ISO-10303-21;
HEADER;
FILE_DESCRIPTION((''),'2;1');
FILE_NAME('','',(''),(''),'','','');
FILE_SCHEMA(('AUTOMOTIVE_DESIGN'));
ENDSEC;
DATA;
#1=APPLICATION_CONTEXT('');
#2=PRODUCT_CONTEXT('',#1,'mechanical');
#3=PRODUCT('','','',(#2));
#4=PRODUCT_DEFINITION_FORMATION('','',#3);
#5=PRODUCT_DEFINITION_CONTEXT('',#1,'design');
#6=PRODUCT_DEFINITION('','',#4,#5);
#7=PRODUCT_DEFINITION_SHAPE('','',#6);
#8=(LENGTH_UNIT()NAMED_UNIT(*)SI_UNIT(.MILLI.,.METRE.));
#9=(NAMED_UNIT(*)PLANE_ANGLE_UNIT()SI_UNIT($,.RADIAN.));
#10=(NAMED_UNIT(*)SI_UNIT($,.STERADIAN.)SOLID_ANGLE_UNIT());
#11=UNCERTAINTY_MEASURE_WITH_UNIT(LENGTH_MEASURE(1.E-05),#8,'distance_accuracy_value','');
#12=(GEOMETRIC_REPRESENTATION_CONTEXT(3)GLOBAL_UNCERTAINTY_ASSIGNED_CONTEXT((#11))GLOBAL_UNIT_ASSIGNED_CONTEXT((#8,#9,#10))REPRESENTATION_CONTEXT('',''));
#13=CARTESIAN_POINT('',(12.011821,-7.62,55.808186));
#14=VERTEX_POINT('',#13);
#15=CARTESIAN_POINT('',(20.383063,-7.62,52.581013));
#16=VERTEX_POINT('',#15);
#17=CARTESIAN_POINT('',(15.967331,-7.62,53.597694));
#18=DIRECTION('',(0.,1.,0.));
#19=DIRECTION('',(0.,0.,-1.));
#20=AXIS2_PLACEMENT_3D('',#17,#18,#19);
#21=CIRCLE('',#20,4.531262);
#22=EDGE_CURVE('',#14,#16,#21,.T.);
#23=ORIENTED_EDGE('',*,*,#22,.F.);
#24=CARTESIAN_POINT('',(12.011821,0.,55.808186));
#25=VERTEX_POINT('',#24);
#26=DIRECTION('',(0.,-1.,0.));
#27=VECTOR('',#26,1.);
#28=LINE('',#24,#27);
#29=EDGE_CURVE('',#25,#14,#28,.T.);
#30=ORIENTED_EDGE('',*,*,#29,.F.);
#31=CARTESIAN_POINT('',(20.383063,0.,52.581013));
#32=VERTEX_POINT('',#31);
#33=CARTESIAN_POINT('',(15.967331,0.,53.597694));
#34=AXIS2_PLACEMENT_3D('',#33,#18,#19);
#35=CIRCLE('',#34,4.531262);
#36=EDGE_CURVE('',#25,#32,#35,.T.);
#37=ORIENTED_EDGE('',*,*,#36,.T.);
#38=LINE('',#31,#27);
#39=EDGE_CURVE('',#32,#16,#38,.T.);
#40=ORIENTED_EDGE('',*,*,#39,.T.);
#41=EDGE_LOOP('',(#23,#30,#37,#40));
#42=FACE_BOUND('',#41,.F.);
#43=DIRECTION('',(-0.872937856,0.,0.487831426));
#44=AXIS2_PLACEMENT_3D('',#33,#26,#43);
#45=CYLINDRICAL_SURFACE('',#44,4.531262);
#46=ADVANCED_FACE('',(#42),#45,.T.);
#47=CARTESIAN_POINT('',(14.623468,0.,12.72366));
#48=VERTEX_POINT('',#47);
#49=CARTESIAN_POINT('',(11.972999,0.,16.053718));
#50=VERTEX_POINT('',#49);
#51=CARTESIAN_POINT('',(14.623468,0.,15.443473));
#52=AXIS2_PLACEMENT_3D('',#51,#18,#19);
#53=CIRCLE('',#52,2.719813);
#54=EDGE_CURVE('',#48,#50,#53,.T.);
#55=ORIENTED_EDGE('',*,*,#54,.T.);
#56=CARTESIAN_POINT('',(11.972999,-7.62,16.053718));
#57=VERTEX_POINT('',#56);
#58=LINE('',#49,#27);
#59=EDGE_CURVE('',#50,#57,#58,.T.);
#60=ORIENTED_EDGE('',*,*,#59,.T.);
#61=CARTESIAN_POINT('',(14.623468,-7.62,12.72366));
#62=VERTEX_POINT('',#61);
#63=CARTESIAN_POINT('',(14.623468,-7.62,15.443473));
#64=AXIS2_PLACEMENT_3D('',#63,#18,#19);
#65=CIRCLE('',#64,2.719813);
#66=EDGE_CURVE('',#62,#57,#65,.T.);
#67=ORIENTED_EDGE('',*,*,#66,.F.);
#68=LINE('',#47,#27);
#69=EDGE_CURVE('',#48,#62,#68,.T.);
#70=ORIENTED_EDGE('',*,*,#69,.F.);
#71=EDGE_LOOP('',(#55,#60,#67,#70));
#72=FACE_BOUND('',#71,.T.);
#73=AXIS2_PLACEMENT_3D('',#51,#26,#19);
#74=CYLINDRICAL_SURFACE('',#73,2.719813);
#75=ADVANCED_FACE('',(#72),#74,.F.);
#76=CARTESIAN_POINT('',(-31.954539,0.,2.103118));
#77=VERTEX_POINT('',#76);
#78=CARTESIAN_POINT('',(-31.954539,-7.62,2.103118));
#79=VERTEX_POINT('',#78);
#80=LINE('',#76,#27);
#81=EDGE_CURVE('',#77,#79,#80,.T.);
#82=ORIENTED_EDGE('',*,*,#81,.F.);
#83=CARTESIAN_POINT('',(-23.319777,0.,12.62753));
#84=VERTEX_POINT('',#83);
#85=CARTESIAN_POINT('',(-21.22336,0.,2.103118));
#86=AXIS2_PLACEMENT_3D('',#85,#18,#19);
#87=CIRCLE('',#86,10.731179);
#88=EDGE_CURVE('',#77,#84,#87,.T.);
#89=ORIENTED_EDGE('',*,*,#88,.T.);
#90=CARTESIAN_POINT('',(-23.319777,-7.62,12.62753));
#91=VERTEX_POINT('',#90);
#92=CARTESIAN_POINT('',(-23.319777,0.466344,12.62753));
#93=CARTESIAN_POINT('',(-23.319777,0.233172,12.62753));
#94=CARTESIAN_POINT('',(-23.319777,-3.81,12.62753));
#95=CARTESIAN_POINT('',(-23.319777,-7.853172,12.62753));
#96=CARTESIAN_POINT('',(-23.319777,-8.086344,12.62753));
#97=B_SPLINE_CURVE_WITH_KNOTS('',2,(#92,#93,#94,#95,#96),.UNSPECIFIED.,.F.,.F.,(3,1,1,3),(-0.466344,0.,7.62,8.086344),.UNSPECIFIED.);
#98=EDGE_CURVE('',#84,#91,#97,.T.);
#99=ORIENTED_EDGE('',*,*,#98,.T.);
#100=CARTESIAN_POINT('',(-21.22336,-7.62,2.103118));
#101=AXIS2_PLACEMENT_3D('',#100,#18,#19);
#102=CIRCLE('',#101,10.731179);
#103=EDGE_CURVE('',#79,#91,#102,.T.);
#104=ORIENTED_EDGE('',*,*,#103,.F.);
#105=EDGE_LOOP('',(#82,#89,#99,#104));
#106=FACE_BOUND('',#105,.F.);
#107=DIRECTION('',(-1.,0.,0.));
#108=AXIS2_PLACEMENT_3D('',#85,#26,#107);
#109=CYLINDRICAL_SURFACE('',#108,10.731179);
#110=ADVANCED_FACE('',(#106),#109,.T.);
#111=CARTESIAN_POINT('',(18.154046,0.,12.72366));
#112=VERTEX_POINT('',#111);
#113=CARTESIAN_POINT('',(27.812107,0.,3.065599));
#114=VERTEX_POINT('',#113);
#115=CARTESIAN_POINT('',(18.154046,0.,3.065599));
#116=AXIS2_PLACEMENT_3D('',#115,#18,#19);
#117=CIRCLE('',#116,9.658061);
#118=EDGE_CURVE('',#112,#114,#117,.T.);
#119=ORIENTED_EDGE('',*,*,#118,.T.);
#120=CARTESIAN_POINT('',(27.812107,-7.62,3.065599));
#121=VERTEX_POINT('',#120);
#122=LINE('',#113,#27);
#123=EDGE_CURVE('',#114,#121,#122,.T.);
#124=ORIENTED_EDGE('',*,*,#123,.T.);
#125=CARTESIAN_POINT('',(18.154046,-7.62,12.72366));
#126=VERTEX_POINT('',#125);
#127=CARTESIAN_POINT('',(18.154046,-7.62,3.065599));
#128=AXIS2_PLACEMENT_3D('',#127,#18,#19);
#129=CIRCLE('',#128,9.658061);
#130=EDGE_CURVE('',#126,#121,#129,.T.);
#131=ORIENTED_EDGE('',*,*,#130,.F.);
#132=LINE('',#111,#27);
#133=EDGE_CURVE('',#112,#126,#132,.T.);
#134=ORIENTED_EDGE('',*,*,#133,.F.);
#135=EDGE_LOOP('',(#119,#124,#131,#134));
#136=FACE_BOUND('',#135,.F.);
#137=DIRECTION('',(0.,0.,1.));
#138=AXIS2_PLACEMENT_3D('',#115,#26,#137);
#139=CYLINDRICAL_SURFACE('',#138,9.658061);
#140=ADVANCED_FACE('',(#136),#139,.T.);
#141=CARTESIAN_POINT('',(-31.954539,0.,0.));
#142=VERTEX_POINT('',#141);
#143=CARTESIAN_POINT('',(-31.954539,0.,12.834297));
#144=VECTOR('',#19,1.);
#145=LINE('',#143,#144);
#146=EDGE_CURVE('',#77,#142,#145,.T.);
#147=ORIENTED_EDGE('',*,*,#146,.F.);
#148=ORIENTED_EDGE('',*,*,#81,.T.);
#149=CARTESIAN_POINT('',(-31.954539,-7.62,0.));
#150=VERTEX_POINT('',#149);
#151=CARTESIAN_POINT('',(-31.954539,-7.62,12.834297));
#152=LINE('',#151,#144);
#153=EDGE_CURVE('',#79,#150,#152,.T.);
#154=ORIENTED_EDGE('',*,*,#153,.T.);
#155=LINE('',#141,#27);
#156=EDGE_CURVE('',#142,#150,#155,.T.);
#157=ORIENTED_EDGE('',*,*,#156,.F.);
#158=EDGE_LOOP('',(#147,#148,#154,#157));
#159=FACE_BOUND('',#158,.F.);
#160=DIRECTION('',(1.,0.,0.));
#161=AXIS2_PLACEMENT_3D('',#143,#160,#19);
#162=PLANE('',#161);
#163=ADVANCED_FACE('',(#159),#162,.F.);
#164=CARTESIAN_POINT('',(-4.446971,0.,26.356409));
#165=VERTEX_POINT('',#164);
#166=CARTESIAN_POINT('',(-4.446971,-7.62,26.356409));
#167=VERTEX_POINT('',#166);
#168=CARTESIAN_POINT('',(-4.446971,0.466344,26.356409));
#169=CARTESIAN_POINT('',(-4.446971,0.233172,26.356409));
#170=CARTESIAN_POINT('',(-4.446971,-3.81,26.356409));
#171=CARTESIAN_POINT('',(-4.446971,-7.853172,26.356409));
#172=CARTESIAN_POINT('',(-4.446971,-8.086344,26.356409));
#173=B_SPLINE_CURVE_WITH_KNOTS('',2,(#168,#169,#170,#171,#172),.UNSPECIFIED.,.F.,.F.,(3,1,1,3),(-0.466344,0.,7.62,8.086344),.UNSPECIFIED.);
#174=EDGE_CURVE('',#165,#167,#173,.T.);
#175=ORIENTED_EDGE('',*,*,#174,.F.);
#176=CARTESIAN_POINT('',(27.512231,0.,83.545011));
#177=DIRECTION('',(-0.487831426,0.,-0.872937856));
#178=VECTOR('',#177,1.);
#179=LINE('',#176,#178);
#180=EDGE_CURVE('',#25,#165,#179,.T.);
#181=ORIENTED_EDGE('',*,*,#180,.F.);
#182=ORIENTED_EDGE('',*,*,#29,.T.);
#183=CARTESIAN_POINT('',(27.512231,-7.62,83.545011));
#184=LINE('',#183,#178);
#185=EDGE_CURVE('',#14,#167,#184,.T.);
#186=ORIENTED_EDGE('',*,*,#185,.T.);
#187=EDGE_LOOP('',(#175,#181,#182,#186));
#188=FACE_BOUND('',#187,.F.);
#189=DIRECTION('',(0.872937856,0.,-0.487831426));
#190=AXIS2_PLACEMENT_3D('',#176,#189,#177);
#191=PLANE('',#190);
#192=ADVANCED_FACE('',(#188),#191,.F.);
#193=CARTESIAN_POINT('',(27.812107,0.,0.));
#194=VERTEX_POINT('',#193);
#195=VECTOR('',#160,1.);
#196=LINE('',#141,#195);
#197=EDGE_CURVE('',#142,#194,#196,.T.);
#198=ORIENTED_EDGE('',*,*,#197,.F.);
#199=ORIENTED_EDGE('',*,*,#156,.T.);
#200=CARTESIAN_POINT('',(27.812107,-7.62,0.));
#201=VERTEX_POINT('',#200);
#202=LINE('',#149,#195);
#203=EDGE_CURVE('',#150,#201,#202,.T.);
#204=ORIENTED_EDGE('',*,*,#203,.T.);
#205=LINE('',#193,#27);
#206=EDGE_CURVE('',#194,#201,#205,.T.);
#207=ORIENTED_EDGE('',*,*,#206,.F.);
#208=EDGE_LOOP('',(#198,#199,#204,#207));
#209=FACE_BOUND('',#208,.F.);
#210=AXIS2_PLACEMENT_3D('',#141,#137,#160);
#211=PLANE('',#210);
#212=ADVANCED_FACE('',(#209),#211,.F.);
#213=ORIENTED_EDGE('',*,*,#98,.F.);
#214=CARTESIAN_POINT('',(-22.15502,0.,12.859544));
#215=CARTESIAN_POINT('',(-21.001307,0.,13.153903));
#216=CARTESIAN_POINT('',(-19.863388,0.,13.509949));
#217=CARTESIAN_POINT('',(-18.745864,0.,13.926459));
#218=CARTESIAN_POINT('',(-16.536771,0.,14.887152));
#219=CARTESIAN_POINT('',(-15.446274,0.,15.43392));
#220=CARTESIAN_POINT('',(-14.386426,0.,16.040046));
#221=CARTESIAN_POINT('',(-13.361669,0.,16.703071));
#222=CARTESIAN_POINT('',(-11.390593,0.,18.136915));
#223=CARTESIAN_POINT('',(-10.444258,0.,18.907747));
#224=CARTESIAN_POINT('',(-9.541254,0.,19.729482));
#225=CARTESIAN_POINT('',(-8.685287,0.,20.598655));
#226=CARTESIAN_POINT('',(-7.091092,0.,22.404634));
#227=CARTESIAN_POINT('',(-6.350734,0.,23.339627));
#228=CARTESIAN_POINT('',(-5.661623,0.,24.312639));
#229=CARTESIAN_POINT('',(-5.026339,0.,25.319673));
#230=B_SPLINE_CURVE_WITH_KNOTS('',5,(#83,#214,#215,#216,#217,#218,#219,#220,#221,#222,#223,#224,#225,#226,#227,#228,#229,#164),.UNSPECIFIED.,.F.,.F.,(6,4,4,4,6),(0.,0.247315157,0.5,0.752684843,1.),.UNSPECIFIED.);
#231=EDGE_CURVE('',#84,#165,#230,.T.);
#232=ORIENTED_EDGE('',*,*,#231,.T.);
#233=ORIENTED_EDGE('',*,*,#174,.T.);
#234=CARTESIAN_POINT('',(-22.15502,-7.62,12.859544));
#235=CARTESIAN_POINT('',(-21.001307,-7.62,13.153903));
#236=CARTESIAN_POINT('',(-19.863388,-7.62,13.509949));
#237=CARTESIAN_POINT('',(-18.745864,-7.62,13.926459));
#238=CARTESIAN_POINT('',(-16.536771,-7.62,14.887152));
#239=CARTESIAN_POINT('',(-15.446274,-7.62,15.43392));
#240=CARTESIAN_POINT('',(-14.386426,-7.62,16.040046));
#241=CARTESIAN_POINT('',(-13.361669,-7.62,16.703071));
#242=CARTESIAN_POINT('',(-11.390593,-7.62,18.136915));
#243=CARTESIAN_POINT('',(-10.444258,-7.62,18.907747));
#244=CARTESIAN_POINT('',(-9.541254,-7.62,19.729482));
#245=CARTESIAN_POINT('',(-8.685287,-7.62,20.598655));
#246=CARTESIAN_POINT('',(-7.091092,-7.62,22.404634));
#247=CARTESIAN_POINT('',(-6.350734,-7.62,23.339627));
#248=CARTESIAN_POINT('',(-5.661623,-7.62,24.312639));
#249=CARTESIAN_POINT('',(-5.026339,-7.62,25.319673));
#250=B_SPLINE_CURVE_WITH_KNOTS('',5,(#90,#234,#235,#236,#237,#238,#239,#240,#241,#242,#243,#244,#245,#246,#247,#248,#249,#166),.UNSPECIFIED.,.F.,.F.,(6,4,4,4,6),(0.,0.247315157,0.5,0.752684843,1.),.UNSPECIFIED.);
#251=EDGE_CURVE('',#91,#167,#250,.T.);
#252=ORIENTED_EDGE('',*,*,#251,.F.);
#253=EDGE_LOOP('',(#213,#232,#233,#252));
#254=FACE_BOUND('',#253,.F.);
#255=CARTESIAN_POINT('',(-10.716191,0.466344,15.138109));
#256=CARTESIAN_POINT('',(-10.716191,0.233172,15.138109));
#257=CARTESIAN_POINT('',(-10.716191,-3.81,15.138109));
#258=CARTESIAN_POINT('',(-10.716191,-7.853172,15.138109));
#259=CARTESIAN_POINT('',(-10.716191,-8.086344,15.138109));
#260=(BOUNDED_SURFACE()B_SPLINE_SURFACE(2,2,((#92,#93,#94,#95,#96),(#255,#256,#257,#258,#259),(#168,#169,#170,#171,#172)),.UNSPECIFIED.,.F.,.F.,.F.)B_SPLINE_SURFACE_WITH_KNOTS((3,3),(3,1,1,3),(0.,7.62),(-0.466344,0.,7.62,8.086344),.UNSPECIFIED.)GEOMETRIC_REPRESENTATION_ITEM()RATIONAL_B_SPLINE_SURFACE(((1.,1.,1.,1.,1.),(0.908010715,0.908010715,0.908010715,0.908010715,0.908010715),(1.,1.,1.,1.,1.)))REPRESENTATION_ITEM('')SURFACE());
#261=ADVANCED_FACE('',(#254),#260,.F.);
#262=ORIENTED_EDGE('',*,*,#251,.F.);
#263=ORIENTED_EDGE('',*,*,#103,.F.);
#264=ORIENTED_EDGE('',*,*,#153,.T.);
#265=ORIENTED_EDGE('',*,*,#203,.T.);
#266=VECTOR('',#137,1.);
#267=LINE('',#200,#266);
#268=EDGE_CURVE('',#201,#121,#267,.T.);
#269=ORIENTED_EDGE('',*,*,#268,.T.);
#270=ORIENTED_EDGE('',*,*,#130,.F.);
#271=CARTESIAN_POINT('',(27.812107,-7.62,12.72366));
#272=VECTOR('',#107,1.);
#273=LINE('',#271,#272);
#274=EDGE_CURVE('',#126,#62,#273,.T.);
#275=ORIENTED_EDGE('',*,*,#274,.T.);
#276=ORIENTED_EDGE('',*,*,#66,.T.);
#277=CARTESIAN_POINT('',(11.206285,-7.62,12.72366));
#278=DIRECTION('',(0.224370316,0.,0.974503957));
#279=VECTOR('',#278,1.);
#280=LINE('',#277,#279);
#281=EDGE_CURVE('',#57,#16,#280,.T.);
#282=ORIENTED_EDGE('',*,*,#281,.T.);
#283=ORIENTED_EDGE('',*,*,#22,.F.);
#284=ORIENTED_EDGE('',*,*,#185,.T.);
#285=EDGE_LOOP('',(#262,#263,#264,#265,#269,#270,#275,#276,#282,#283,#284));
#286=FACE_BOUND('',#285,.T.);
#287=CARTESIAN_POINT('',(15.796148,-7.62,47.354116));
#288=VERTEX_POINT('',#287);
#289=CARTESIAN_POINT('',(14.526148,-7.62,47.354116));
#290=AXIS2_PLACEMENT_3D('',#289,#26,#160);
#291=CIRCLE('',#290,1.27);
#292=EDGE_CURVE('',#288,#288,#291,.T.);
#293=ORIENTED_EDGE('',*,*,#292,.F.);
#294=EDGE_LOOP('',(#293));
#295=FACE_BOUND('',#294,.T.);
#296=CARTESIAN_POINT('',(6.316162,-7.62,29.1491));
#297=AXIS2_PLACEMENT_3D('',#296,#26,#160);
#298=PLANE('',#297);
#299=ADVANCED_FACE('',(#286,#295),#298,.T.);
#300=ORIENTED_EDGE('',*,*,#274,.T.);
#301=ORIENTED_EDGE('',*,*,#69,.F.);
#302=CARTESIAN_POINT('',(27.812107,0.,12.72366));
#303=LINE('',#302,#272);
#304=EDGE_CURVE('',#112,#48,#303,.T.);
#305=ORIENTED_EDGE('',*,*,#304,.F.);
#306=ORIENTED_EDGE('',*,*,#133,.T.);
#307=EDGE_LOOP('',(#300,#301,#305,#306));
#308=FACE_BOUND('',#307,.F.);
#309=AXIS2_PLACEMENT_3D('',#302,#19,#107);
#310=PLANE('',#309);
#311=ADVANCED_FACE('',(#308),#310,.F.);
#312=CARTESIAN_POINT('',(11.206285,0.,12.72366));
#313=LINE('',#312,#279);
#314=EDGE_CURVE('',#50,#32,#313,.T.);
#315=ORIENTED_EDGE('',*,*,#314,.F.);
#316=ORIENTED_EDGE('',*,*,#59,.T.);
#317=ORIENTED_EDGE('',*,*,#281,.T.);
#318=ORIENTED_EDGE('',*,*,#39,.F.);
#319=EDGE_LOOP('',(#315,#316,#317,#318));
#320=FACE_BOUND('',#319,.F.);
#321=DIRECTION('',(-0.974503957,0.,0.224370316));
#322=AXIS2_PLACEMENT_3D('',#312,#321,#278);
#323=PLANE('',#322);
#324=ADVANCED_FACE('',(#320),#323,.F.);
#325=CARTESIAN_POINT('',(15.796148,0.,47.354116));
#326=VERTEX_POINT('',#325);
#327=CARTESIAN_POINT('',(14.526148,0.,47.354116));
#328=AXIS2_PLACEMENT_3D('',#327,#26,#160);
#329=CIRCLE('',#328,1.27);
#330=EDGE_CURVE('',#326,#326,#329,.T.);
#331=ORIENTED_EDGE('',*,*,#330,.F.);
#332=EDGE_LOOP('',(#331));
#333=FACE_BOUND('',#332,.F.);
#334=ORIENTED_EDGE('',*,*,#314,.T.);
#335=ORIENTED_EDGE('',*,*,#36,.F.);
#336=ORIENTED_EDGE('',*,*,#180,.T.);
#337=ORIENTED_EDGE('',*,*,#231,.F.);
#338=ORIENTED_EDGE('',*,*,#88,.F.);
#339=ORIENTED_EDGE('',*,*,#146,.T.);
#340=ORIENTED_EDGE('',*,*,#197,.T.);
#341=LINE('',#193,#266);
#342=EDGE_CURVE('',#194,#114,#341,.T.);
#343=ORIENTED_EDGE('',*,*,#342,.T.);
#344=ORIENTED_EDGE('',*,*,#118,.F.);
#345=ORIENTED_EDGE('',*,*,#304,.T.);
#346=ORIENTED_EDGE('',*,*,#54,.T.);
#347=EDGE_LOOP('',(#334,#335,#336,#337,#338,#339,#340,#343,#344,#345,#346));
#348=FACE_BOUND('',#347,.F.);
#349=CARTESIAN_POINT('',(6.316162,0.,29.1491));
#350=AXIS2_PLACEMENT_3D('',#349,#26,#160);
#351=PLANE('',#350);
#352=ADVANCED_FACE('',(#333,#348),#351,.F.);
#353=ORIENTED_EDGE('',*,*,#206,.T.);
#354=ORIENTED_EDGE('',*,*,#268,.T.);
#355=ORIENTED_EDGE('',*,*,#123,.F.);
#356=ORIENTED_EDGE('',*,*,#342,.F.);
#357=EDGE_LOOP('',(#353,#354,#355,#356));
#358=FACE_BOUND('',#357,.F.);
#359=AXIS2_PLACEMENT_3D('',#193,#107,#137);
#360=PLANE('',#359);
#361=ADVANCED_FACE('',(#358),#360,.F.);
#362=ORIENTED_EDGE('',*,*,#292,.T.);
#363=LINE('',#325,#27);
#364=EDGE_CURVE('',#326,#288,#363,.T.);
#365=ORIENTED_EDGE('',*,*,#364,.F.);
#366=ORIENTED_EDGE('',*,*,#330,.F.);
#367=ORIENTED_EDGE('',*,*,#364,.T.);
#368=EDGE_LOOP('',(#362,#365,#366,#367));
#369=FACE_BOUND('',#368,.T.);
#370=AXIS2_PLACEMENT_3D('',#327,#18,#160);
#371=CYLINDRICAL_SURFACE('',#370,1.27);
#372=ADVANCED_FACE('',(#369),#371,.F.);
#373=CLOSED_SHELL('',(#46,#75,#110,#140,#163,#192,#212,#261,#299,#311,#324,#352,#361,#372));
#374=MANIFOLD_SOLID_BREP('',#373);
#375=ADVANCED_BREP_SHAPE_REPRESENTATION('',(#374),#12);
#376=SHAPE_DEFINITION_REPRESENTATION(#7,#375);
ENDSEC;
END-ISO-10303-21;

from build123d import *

# Parameters (mm, degrees)
F0_R     = 1.27
F1_DEPTH = 7.62
F2_R     = 10.731179
F3_R     = 27.853237
F4_R     = 4.531262
F5_R     = 9.658061
F6_R     = 2.719813


with BuildPart() as f1:
    # F0 (on Front) → F1 (new body)
    with BuildSketch(Plane.XZ):
        Polygon((-31.954539, 12.834297), (-31.954539, 0), (0, 0), (27.812107, 0), (27.812107, 12.72366), (11.206285, 12.72366), (27.512231, 83.545011), (-12.00365, 12.834297), align=None)
        with Locations((14.526148, 47.354116)):
            Circle(F0_R, mode=Mode.SUBTRACT)
    extrude(amount=F1_DEPTH)

    # F2
    f2_edges = [f1.edges().sort_by_distance(p)[0] for p in [
        (-31.954539, -3.81, 12.834297),
    ]]
    fillet(f2_edges, radius=F2_R)

    # F3
    f3_edges = [f1.edges().sort_by_distance(p)[0] for p in [
        (-12.00365, -3.81, 12.834297),
    ]]
    fillet(f3_edges, radius=F3_R)

    # F4
    f4_edges = [f1.edges().sort_by_distance(p)[0] for p in [
        (27.512231, -3.81, 83.545011),
    ]]
    fillet(f4_edges, radius=F4_R)

    # F5
    f5_edges = [f1.edges().sort_by_distance(p)[0] for p in [
        (27.812107, -3.81, 12.72366),
    ]]
    fillet(f5_edges, radius=F5_R)

    # F6
    f6_edges = [f1.edges().sort_by_distance(p)[0] for p in [
        (11.206285, -3.81, 12.72366),
    ]]
    fillet(f6_edges, radius=F6_R)


solid = f1.part
